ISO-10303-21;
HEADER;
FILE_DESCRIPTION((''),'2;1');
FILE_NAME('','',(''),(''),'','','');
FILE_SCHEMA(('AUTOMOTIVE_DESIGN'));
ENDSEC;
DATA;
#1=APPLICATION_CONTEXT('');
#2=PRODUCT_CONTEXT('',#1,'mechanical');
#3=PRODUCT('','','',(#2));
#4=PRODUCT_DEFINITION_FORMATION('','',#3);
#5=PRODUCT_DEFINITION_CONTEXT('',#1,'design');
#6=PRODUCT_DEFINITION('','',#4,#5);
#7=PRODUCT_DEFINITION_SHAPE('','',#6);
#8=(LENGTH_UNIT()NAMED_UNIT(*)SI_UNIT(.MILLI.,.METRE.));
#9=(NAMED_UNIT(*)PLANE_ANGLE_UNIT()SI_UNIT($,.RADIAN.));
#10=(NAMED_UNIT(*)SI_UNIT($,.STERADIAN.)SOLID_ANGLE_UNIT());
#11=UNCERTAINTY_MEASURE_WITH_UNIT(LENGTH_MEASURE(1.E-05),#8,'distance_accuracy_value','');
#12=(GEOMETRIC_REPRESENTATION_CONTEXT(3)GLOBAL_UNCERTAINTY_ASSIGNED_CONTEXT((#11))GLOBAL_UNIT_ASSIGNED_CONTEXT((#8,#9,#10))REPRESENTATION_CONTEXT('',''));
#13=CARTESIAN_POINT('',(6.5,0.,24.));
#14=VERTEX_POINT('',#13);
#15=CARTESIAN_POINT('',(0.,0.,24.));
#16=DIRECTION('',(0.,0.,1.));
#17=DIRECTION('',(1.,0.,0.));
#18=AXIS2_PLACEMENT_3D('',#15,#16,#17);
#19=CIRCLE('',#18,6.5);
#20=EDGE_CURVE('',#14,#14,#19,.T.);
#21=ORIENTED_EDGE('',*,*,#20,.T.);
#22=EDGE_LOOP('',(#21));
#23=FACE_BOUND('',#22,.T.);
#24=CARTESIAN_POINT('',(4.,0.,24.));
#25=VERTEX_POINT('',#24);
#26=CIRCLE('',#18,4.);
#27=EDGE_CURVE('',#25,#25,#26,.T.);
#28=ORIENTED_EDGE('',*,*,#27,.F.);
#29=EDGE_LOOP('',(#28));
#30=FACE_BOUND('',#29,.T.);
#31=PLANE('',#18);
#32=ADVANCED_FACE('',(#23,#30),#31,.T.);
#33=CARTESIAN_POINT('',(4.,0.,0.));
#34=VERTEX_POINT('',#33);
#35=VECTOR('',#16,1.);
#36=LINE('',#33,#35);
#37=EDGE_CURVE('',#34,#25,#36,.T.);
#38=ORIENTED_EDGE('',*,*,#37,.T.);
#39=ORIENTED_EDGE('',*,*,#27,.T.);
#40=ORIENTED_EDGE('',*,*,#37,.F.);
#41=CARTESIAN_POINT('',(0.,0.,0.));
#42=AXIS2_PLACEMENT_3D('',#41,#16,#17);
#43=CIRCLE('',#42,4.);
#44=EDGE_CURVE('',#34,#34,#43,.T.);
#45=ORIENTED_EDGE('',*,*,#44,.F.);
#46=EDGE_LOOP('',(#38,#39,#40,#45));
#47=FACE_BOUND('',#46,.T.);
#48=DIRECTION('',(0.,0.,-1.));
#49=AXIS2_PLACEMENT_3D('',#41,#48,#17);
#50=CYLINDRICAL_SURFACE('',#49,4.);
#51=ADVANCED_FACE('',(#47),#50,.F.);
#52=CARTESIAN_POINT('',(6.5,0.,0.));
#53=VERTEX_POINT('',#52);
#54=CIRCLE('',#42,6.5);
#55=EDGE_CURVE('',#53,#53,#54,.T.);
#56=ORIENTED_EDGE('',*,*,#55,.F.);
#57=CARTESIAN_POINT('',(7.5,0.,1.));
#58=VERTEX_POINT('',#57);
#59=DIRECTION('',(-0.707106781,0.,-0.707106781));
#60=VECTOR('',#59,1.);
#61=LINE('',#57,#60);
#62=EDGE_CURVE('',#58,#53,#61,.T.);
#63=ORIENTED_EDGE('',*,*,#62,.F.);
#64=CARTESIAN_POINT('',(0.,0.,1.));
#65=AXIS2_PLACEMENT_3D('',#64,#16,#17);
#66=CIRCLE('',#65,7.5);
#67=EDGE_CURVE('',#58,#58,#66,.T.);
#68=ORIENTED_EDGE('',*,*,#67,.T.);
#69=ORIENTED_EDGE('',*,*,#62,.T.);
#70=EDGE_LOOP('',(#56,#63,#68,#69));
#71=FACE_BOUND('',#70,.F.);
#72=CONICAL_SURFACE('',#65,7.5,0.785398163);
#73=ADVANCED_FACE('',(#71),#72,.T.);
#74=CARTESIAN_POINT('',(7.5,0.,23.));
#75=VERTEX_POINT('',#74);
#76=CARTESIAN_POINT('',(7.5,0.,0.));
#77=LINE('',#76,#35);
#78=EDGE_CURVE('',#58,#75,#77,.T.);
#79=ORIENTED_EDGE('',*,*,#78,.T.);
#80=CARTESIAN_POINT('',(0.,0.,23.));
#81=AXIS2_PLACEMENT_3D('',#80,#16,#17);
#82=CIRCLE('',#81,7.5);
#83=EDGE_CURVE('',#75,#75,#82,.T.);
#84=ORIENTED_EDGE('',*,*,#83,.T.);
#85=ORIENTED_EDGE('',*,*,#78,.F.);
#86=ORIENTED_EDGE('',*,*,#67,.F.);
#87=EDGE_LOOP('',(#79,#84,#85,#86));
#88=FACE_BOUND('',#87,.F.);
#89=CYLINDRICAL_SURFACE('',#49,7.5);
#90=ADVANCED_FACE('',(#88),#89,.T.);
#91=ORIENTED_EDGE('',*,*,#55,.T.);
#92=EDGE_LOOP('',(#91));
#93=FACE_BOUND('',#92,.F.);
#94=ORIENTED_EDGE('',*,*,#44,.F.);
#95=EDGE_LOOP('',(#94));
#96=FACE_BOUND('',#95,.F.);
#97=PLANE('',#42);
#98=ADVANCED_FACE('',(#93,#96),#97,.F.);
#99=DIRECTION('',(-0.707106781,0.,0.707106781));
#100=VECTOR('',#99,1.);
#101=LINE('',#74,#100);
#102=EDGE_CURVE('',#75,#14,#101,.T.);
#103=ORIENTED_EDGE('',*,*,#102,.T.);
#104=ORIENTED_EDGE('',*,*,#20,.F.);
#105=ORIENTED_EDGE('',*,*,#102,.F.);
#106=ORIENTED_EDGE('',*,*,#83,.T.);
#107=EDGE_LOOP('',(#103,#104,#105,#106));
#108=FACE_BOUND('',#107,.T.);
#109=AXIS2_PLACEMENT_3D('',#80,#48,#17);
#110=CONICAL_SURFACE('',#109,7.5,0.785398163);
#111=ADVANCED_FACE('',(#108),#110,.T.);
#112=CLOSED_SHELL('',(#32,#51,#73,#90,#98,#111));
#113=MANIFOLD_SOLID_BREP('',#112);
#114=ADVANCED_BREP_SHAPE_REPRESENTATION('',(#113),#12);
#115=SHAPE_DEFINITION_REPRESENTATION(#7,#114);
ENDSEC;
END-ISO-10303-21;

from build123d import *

# Parameters (mm, degrees)
SKETCH_R        = 7.5
SKETCH_R_2      = 4
PAD_DEPTH       = 24
CHAMFER_SIZE    = 1
CHAMFER001_SIZE = 1


with BuildPart() as part:
    # Sketch → Pad (new body)
    with BuildSketch(Plane.XY):
        Circle(SKETCH_R)
        Circle(SKETCH_R_2, mode=Mode.SUBTRACT)
    extrude(amount=PAD_DEPTH)

    # Chamfer
    chamfer_edges = [part.edges().sort_by_distance(p)[0] for p in [
        (-7.5, 0, 24),
    ]]
    chamfer(chamfer_edges, length=CHAMFER_SIZE)

    # Chamfer001
    chamfer001_edges = [part.edges().sort_by_distance(p)[0] for p in [
        (-7.5, 0, 0),
    ]]
    chamfer(chamfer001_edges, length=CHAMFER001_SIZE)


solid = part.part
